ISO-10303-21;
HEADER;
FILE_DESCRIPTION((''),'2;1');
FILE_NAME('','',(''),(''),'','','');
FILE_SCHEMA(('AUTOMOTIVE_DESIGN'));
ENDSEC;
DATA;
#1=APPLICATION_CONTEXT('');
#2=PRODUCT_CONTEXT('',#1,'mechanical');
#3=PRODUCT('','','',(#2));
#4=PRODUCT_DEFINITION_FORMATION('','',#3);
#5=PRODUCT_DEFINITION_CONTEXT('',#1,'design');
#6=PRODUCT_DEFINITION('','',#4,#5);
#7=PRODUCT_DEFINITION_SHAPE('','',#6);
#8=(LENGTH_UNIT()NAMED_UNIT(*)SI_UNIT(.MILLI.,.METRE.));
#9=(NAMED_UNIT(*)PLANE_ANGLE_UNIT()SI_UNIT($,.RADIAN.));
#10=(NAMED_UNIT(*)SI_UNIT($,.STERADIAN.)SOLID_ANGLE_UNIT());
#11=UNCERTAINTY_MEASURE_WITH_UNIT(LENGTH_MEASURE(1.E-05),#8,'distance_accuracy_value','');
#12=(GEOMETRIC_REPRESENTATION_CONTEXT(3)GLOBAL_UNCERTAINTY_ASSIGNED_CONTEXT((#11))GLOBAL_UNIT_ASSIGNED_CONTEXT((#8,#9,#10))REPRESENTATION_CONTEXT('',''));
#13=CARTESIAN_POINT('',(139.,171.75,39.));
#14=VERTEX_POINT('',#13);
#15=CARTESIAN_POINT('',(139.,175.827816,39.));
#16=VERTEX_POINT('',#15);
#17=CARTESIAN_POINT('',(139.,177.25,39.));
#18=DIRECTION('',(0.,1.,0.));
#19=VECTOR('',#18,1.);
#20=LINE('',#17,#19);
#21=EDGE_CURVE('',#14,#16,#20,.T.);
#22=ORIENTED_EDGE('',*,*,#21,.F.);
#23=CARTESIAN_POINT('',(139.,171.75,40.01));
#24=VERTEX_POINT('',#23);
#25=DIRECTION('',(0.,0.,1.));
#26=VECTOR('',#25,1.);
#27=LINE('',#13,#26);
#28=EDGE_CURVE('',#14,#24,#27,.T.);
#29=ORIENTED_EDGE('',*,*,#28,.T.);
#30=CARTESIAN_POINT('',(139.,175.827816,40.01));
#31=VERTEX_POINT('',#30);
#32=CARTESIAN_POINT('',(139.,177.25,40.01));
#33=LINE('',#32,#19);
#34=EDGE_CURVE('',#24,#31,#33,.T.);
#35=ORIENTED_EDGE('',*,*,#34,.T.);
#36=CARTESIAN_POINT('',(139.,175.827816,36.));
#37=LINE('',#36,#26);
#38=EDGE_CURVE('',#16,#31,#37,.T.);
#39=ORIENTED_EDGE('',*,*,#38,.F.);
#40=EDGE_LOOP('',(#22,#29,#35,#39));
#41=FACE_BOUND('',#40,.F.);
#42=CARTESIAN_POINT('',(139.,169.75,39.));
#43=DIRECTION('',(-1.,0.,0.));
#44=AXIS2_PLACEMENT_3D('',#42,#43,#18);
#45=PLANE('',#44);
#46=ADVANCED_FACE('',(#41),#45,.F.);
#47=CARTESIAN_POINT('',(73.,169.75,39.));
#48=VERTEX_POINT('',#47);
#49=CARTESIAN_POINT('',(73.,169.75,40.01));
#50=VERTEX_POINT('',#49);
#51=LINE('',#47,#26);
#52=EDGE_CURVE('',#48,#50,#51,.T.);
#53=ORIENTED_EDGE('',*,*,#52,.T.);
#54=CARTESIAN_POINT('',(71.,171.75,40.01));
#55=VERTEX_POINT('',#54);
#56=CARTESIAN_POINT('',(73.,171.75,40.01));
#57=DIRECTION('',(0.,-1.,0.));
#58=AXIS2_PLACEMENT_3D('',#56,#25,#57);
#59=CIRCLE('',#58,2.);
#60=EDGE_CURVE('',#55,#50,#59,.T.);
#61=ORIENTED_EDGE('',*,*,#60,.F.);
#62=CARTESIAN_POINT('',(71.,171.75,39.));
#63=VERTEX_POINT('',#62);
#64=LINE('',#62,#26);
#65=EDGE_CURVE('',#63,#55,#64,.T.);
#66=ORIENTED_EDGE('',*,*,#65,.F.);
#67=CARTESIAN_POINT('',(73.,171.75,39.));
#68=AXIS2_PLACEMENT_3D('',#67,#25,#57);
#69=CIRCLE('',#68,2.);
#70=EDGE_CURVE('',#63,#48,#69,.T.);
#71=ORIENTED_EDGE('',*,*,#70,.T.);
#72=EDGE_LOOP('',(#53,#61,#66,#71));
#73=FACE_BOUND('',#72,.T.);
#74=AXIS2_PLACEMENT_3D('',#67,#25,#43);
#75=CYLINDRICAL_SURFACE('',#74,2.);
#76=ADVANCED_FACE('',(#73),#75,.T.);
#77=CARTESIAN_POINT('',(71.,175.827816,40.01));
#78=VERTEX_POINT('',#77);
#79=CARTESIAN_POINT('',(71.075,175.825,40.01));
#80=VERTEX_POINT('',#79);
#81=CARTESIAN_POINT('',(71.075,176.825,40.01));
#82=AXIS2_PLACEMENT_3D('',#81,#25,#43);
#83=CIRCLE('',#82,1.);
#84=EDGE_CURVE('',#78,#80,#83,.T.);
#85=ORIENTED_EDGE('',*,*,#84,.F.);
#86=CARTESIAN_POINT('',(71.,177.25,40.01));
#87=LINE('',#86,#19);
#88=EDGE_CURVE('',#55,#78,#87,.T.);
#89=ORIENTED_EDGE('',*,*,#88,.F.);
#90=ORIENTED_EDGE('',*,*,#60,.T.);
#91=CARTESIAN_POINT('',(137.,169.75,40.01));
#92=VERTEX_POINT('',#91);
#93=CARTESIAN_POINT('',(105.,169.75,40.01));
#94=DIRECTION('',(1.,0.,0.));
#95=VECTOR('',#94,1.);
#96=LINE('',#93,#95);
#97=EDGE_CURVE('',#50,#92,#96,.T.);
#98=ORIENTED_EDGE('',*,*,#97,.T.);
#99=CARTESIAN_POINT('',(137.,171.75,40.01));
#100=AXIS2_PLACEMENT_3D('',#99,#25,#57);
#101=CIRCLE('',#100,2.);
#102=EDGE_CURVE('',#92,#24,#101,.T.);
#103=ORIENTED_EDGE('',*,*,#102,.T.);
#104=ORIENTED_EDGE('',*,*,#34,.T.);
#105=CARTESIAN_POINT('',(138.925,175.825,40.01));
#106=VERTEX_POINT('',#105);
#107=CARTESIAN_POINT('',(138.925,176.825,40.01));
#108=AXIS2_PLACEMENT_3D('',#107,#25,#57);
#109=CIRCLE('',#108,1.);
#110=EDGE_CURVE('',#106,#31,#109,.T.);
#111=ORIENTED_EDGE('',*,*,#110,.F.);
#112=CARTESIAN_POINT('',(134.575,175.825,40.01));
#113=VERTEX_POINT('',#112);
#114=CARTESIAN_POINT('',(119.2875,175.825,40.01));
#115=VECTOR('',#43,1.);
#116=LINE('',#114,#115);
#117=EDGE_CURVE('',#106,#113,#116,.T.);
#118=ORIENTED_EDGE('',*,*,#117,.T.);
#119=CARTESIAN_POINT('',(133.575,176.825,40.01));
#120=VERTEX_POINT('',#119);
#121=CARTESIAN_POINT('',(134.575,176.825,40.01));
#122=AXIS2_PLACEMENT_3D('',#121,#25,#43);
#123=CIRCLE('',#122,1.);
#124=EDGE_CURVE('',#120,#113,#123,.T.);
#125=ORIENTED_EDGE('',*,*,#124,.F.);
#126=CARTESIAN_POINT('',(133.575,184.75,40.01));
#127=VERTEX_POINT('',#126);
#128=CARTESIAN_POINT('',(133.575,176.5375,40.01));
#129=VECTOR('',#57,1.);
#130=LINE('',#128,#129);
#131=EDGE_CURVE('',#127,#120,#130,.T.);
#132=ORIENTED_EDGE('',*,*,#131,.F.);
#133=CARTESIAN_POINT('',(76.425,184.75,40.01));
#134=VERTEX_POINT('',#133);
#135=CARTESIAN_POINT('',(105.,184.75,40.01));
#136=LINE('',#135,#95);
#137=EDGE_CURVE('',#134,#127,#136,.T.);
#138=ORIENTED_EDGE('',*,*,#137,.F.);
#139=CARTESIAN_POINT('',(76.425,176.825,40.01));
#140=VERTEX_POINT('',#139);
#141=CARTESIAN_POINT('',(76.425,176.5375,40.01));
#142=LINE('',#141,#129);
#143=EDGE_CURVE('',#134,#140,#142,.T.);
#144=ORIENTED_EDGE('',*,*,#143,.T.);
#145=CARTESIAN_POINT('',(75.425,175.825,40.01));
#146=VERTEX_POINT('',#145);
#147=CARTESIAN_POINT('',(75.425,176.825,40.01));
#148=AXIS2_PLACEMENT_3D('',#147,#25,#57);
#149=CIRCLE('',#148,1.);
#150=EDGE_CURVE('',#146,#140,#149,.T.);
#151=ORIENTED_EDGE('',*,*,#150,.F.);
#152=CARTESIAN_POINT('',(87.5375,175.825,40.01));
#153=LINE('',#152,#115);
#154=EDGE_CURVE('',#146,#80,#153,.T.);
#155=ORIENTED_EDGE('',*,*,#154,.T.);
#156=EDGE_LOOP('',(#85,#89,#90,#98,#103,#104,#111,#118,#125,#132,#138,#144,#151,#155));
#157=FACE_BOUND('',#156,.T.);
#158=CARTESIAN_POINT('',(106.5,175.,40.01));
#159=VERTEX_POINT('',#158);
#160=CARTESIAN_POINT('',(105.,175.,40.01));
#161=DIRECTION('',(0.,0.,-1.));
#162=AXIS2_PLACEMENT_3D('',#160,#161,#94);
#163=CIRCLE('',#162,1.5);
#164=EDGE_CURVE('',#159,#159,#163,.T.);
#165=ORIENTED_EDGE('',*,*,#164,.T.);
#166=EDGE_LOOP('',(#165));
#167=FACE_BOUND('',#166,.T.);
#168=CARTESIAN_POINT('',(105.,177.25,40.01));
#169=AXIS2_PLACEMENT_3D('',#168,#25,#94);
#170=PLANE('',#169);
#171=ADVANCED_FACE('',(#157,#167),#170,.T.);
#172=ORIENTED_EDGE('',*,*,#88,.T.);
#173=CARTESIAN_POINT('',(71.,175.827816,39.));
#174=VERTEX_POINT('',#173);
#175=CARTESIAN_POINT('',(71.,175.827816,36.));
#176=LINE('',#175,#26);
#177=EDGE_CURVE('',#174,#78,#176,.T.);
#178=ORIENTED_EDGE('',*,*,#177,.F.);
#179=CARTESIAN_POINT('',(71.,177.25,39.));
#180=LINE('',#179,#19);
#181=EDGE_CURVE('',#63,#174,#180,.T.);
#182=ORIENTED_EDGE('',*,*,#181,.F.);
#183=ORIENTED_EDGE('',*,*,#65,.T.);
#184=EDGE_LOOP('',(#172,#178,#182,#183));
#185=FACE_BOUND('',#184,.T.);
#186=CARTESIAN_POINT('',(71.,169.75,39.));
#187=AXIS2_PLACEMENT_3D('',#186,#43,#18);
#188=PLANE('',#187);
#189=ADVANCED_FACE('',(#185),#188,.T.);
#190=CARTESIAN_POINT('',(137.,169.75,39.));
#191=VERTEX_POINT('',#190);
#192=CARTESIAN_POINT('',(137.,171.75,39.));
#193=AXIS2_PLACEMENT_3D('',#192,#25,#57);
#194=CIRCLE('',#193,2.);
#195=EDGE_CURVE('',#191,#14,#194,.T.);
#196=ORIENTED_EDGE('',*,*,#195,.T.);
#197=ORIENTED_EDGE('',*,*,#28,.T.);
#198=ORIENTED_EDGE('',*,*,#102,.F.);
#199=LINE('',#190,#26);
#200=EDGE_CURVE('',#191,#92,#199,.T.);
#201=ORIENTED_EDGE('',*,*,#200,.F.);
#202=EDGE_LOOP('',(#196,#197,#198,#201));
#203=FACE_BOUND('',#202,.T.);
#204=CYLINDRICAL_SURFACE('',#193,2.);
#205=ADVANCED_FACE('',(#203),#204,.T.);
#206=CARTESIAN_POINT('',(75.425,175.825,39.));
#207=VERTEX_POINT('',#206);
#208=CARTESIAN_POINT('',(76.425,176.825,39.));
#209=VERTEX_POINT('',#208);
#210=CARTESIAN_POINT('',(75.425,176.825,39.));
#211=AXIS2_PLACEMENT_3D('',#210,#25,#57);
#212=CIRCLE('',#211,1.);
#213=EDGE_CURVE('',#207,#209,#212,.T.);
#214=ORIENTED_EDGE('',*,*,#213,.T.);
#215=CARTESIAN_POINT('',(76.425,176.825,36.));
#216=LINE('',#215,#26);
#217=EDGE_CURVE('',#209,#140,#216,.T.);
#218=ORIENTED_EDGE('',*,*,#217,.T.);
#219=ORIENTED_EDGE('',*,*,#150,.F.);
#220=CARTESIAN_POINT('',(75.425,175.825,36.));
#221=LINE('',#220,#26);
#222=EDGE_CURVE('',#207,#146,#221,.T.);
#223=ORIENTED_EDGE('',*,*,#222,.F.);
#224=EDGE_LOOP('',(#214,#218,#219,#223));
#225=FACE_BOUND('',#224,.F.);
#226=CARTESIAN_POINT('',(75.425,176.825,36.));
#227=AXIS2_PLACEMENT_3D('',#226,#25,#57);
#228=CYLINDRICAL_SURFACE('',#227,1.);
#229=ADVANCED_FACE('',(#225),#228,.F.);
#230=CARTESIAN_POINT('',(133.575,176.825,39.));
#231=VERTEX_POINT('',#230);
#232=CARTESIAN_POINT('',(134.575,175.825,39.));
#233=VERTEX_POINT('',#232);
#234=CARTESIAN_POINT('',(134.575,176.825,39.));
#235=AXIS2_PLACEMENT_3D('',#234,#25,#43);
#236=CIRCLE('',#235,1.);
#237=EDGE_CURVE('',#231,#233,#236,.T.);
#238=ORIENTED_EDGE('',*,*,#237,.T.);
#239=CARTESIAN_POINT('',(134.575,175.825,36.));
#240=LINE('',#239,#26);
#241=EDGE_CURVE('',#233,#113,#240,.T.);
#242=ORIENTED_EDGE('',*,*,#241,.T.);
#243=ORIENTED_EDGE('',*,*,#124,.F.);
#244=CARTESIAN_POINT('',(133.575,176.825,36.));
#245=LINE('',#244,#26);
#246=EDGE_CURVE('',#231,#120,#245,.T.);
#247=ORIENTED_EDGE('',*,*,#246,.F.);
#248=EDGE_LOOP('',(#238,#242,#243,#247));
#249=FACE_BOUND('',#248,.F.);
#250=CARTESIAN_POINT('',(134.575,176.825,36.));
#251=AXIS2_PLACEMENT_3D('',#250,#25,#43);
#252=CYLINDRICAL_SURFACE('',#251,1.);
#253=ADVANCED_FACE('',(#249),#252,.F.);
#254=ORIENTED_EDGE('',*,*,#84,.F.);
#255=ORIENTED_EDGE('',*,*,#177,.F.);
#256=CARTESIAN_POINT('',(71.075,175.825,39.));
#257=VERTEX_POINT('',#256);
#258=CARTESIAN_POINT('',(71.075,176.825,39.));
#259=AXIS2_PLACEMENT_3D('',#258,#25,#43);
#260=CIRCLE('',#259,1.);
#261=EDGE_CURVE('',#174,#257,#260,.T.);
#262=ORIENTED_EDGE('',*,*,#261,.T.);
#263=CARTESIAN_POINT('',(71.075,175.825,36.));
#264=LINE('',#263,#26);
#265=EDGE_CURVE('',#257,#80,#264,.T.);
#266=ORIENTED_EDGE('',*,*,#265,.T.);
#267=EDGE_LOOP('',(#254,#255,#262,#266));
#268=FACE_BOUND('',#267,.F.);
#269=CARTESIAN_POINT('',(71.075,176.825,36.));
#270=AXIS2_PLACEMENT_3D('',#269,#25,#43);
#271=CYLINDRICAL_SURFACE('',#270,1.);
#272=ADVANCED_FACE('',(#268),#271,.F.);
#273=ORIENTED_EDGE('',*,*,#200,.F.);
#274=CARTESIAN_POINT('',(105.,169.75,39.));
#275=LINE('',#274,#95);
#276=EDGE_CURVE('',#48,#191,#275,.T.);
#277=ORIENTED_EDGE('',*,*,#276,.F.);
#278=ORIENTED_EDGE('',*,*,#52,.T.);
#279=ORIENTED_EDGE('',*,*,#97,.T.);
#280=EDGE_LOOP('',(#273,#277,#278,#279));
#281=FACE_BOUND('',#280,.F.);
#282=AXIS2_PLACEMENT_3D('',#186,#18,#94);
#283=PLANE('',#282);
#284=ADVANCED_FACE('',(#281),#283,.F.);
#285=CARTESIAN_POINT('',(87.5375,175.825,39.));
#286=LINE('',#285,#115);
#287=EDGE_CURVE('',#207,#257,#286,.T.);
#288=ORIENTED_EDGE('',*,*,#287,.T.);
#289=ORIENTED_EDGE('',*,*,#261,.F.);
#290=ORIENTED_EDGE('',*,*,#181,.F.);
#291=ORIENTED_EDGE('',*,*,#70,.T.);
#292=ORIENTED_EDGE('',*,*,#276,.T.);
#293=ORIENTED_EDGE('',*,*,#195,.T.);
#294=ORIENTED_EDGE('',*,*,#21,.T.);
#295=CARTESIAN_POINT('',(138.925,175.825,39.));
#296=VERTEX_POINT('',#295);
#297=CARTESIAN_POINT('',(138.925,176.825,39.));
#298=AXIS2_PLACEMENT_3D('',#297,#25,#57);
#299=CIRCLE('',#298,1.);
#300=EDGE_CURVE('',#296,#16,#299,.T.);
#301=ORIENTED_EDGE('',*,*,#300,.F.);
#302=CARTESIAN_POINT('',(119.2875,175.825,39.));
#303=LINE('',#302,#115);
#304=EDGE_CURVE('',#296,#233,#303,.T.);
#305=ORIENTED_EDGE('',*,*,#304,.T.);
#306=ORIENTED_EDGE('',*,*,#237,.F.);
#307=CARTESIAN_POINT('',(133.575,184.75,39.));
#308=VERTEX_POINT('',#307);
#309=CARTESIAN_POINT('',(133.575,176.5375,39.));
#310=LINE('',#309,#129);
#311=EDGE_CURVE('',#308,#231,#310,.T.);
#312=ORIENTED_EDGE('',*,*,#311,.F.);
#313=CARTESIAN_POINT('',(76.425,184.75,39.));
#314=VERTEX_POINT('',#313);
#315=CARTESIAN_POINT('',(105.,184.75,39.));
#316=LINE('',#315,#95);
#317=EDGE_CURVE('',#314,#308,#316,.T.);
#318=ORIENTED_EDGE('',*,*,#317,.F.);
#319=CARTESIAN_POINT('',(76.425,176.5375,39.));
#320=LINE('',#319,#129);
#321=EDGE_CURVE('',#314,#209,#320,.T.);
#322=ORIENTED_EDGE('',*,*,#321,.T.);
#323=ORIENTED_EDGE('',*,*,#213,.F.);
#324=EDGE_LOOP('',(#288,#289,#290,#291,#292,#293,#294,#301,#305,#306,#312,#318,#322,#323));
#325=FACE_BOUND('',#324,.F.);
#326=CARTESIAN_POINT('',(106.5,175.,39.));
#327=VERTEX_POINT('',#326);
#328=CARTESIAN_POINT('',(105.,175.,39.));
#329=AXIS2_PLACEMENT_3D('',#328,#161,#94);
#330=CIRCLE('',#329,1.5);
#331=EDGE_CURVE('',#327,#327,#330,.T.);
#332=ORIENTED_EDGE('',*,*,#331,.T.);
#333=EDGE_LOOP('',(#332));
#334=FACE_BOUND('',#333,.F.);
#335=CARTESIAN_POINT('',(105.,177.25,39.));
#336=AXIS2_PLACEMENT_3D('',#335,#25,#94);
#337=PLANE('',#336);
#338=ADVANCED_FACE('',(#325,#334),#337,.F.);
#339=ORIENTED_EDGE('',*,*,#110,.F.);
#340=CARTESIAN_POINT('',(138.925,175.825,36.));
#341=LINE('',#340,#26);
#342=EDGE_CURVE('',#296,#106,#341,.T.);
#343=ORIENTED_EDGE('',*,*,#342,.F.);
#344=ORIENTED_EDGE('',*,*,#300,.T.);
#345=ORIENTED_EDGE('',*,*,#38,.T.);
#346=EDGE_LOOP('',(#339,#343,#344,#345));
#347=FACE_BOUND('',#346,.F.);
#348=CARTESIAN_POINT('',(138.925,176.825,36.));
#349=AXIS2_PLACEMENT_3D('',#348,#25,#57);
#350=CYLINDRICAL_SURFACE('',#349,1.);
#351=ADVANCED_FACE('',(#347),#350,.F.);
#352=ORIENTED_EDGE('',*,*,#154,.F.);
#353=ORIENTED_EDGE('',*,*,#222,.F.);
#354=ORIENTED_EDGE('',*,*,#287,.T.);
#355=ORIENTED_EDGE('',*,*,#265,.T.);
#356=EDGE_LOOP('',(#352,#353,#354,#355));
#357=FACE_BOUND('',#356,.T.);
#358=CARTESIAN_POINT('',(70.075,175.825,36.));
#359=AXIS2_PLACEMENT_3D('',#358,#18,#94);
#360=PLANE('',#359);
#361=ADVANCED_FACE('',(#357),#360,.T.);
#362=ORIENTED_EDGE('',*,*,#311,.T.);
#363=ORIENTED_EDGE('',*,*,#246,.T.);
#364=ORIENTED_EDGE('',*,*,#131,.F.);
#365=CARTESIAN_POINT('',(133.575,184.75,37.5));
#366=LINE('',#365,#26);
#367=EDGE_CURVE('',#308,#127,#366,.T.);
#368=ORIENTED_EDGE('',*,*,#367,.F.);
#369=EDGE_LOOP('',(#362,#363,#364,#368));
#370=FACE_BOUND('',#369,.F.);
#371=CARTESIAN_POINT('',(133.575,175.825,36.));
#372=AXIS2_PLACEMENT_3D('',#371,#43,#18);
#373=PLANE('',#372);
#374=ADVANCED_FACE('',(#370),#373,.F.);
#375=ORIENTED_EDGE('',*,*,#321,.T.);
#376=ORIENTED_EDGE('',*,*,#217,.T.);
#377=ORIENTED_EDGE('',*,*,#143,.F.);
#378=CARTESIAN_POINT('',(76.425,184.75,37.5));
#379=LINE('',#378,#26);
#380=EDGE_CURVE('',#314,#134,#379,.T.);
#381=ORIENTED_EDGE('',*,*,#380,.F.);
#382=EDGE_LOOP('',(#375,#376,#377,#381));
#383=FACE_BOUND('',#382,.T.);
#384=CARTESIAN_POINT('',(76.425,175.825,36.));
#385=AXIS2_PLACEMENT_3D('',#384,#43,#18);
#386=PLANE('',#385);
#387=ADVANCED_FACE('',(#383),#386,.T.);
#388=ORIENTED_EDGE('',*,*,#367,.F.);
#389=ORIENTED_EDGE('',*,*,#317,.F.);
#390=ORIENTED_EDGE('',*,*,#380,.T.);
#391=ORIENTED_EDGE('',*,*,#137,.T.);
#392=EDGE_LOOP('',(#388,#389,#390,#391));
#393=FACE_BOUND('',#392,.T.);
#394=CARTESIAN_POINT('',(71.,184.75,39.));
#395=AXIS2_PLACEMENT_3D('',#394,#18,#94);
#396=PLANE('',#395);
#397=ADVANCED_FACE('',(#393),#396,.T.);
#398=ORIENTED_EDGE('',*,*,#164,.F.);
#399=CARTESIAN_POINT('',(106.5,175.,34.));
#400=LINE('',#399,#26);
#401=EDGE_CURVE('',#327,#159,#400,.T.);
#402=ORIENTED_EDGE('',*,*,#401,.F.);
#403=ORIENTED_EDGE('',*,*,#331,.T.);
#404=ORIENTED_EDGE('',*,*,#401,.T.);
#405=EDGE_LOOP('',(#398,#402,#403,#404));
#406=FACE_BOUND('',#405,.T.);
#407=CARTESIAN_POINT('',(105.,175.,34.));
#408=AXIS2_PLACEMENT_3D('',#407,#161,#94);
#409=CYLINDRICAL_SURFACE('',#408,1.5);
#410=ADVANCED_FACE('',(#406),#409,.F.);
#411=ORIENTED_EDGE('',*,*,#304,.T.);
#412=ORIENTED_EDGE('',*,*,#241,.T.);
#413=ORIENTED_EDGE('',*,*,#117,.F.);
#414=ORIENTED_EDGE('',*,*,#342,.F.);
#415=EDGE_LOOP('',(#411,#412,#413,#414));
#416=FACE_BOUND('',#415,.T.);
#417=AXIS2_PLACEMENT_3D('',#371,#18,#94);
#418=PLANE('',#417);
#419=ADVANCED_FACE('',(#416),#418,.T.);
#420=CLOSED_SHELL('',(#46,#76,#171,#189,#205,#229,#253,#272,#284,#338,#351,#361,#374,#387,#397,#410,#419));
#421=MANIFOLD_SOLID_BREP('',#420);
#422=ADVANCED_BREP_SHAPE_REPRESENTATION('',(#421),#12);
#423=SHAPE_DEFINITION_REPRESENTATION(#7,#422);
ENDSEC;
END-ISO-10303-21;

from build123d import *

# Parameters (mm, degrees)
CYLINDER079_R     = 1.5
CYLINDER079_DEPTH = 10
CYLINDER073_R     = 2.579687
CYLINDER073_DEPTH = 56.5
CYLINDER074_R     = 2.579687
CYLINDER074_DEPTH = 55.5
BOX003_W          = 6.35
BOX003_H          = 15
BOX003_DEPTH      = 10
FILLET002_R       = 1
BOX002_W          = 6.35
BOX002_H          = 15
BOX002_DEPTH      = 10
FILLET001_R       = 1
BOX001_W          = 68
BOX001_H          = 15
BOX001_DEPTH      = 1.01
FILLET_R          = 2


with BuildPart() as shieldcrosshole003:
    # Cylinder079 → Cylinder079 (new body)
    with BuildSketch(Plane(origin=(105, 175, 34), x_dir=(1, 0, 0), z_dir=(0, 0, 1))):
        Circle(CYLINDER079_R)
    extrude(amount=CYLINDER079_DEPTH)


with BuildPart() as threaded025:
    # Cylinder073 → Cylinder073 (new body)
    with BuildSketch(Plane(origin=(73.25, 179.75, 4), x_dir=(1, 0, 0), z_dir=(0, 0, 1))):
        Circle(CYLINDER073_R)
    extrude(amount=CYLINDER073_DEPTH)


with BuildPart() as threaded026:
    # Cylinder074 → Cylinder074 (new body)
    with BuildSketch(Plane(origin=(136.75, 179.75, 4), x_dir=(1, 0, 0), z_dir=(0, 0, 1))):
        Circle(CYLINDER074_R)
    extrude(amount=CYLINDER074_DEPTH)


with BuildPart() as fillet002:
    # Box003 → Box003 (new body)
    with BuildSketch(Plane(origin=(70.075, 175.825, 36), x_dir=(1, 0, 0), z_dir=(0, 0, 1))):
        with Locations((3.175, 7.5)):
            Rectangle(BOX003_W, BOX003_H)
    extrude(amount=BOX003_DEPTH)

    # Fillet002
    fillet002_edges = [fillet002.edges().sort_by_distance(p)[0] for p in [
        (70.075, 175.825, 41),
        (76.425, 175.825, 41),
    ]]
    fillet(fillet002_edges, radius=FILLET002_R)


with BuildPart() as fillet002_1:
    # Fillet002 placement: moved
    add(fillet002.part.moved(Location((63.5, 0, 0))))


with BuildPart() as fusion032:
    # Box002 → Box002 (new body)
    with BuildSketch(Plane(origin=(70.075, 175.825, 36), x_dir=(1, 0, 0), z_dir=(0, 0, 1))):
        with Locations((3.175, 7.5)):
            Rectangle(BOX002_W, BOX002_H)
    extrude(amount=BOX002_DEPTH)

    # Fillet001
    fillet001_edges = [fusion032.edges().sort_by_distance(p)[0] for p in [
        (70.075, 175.825, 41),
        (76.425, 175.825, 41),
    ]]
    fillet(fillet001_edges, radius=FILLET001_R)

    # Fusion032: union Threaded025, Threaded026, Fillet002
    add(threaded025.part)
    add(threaded026.part)
    add(fillet002_1.part)


with BuildPart() as shieldbar4:
    # Box001 → Box001 (new body)
    with BuildSketch(Plane(origin=(71, 169.75, 39), x_dir=(1, 0, 0), z_dir=(0, 0, 1))):
        with Locations((34, 7.5)):
            Rectangle(BOX001_W, BOX001_H)
    extrude(amount=BOX001_DEPTH)

    # Fillet
    fillet_edges = [shieldbar4.edges().sort_by_distance(p)[0] for p in [
        (71, 169.75, 39.505),
        (71, 184.75, 39.505),
        (139, 169.75, 39.505),
        (139, 184.75, 39.505),
    ]]
    fillet(fillet_edges, radius=FILLET_R)

    # Cut003: cut Fusion032
    add(fusion032.part, mode=Mode.SUBTRACT)

    # Cut007: cut ShieldCrossHole003
    add(shieldcrosshole003.part, mode=Mode.SUBTRACT)


solid = shieldbar4.part
